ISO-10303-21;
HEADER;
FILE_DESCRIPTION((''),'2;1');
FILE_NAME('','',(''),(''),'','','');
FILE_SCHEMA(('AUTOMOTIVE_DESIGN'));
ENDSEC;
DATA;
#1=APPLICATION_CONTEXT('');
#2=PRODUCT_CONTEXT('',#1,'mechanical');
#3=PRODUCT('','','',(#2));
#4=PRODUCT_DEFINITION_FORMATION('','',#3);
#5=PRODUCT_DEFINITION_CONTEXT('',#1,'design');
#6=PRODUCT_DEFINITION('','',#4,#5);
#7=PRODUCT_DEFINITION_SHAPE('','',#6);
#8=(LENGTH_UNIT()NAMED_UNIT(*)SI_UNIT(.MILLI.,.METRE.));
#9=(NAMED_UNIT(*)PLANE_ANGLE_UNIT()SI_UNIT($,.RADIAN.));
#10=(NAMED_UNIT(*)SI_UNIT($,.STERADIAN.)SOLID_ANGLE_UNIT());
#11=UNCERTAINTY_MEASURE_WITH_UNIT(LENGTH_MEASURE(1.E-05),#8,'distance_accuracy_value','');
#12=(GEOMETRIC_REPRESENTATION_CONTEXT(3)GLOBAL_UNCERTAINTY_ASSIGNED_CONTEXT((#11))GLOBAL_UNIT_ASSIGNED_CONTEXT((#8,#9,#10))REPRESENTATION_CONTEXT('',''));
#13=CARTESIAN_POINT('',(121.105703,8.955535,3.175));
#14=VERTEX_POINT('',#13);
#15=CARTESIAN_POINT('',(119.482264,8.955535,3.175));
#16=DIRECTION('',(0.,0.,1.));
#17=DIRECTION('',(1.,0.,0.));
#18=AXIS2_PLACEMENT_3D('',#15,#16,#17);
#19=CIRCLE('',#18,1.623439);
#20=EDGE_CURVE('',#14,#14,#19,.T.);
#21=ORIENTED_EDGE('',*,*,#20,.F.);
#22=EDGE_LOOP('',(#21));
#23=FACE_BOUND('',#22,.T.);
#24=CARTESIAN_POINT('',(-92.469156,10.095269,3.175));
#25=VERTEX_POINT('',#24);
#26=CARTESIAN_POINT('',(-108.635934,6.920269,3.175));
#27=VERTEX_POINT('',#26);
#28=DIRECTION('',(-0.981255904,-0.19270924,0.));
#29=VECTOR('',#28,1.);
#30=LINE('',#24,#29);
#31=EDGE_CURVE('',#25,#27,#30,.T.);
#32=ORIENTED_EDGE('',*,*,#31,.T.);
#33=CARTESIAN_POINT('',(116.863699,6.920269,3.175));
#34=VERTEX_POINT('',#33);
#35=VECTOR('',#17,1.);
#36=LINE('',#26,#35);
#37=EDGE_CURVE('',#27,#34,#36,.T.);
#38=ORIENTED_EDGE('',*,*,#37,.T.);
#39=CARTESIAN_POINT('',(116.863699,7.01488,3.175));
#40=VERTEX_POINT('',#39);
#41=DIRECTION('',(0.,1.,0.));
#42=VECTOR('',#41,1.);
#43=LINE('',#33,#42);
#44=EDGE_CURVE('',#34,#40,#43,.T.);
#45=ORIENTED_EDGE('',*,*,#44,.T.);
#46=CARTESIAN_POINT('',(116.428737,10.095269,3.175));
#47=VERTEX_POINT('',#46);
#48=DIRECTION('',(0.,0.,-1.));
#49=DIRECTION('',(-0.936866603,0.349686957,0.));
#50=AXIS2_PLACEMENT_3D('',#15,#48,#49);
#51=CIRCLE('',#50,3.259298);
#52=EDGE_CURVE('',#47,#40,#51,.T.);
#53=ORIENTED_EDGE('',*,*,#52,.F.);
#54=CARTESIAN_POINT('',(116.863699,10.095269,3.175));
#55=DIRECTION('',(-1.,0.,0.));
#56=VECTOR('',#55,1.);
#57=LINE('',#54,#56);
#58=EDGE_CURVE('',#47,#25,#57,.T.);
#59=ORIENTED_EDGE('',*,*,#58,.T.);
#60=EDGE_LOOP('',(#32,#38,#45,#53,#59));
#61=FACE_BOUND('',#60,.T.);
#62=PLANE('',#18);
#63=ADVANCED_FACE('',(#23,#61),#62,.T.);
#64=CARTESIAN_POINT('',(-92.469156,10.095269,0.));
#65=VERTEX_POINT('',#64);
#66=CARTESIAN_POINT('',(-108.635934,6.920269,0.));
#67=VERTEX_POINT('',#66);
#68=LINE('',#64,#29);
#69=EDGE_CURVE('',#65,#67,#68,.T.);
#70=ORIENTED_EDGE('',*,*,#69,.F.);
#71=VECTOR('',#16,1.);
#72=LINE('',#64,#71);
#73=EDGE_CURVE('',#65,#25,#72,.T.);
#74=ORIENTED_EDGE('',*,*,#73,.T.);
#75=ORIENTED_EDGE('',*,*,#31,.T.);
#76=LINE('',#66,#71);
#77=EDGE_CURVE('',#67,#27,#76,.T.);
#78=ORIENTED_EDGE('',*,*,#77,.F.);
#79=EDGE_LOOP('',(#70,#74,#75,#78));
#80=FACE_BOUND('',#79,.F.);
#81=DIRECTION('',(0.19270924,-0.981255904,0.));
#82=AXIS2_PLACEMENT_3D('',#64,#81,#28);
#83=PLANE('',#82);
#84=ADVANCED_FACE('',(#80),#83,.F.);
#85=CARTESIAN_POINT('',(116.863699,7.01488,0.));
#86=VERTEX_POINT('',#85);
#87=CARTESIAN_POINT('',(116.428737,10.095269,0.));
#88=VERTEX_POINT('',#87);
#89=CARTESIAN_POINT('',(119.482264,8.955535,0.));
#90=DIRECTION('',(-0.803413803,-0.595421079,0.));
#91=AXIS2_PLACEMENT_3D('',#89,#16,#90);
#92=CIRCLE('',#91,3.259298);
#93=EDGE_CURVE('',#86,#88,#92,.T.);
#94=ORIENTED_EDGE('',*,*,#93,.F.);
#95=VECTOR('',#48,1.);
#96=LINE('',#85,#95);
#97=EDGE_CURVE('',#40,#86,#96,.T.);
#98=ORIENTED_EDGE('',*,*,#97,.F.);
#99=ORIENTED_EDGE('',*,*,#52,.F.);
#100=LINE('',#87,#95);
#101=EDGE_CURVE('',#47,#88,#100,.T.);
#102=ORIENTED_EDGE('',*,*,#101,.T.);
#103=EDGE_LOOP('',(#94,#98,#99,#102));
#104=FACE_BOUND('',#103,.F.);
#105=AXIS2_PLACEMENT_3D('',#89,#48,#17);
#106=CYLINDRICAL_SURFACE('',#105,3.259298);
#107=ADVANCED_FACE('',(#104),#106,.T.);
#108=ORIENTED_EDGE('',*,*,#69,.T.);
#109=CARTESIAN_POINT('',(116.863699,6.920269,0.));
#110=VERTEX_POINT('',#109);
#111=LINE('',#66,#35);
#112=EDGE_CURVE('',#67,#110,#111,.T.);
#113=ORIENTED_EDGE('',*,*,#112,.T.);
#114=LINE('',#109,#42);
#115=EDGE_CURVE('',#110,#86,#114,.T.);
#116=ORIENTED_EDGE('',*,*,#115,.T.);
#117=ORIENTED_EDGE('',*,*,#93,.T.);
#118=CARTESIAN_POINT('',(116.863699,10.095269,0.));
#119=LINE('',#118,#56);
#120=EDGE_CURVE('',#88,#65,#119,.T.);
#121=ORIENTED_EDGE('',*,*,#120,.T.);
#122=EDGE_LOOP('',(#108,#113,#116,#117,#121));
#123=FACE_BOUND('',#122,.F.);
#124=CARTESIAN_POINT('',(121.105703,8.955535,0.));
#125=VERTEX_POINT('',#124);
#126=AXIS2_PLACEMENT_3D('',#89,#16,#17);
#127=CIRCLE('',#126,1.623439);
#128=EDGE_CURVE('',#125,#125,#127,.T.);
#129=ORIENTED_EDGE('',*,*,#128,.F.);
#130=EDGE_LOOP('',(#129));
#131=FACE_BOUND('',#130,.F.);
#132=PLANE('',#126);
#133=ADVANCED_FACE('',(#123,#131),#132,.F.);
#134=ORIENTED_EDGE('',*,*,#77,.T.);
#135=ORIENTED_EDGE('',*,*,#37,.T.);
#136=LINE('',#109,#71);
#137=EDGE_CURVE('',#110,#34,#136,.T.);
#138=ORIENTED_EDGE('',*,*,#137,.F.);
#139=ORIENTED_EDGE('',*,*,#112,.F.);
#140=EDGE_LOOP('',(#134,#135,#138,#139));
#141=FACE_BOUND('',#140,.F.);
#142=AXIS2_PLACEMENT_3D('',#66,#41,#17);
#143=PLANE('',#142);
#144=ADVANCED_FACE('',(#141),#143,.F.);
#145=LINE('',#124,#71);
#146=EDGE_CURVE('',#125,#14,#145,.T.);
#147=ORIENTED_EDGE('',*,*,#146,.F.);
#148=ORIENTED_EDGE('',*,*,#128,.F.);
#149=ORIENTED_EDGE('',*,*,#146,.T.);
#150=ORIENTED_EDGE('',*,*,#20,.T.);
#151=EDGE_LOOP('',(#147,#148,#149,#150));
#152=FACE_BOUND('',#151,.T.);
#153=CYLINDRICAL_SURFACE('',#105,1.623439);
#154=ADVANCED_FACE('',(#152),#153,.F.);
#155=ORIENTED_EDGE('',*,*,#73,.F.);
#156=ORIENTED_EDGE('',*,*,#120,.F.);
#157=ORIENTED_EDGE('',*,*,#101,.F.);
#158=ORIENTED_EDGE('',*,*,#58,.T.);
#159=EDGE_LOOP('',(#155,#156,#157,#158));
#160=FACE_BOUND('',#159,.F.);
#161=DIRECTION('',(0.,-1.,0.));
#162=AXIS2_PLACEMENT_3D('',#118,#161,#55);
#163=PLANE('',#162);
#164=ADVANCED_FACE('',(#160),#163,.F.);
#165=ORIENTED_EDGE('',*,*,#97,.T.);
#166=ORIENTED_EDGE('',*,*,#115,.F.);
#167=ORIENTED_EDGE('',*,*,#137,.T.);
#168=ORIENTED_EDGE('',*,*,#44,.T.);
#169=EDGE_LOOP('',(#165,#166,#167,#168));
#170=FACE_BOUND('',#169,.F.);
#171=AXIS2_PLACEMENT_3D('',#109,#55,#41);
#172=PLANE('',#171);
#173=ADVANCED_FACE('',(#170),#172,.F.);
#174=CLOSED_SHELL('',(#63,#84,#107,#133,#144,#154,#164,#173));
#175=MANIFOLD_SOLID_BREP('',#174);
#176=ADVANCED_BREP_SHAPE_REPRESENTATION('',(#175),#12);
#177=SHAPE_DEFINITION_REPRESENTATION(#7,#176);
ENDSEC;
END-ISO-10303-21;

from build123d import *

# Parameters (mm, degrees)
F1_DEPTH = 3.175
F2_R     = 3.259298
F2_R_2   = 1.623439
F3_DEPTH = 3.175


with BuildPart() as f1:
    # F0 (on Top) → F1 (new body)
    with BuildSketch(Plane.XY):
        Polygon((116.863699, 10.095269), (-92.469156, 10.095269), (-108.635934, 6.920269), (116.863699, 6.920269), align=None)
    extrude(amount=F1_DEPTH)

    # F2 (on Top) → F3 (join)
    with BuildSketch(Plane.XY):
        with Locations((119.482264, 8.955535)):
            Circle(F2_R)
        with Locations((119.482264, 8.955535)):
            Circle(F2_R_2, mode=Mode.SUBTRACT)
    extrude(amount=F3_DEPTH)


solid = f1.part
